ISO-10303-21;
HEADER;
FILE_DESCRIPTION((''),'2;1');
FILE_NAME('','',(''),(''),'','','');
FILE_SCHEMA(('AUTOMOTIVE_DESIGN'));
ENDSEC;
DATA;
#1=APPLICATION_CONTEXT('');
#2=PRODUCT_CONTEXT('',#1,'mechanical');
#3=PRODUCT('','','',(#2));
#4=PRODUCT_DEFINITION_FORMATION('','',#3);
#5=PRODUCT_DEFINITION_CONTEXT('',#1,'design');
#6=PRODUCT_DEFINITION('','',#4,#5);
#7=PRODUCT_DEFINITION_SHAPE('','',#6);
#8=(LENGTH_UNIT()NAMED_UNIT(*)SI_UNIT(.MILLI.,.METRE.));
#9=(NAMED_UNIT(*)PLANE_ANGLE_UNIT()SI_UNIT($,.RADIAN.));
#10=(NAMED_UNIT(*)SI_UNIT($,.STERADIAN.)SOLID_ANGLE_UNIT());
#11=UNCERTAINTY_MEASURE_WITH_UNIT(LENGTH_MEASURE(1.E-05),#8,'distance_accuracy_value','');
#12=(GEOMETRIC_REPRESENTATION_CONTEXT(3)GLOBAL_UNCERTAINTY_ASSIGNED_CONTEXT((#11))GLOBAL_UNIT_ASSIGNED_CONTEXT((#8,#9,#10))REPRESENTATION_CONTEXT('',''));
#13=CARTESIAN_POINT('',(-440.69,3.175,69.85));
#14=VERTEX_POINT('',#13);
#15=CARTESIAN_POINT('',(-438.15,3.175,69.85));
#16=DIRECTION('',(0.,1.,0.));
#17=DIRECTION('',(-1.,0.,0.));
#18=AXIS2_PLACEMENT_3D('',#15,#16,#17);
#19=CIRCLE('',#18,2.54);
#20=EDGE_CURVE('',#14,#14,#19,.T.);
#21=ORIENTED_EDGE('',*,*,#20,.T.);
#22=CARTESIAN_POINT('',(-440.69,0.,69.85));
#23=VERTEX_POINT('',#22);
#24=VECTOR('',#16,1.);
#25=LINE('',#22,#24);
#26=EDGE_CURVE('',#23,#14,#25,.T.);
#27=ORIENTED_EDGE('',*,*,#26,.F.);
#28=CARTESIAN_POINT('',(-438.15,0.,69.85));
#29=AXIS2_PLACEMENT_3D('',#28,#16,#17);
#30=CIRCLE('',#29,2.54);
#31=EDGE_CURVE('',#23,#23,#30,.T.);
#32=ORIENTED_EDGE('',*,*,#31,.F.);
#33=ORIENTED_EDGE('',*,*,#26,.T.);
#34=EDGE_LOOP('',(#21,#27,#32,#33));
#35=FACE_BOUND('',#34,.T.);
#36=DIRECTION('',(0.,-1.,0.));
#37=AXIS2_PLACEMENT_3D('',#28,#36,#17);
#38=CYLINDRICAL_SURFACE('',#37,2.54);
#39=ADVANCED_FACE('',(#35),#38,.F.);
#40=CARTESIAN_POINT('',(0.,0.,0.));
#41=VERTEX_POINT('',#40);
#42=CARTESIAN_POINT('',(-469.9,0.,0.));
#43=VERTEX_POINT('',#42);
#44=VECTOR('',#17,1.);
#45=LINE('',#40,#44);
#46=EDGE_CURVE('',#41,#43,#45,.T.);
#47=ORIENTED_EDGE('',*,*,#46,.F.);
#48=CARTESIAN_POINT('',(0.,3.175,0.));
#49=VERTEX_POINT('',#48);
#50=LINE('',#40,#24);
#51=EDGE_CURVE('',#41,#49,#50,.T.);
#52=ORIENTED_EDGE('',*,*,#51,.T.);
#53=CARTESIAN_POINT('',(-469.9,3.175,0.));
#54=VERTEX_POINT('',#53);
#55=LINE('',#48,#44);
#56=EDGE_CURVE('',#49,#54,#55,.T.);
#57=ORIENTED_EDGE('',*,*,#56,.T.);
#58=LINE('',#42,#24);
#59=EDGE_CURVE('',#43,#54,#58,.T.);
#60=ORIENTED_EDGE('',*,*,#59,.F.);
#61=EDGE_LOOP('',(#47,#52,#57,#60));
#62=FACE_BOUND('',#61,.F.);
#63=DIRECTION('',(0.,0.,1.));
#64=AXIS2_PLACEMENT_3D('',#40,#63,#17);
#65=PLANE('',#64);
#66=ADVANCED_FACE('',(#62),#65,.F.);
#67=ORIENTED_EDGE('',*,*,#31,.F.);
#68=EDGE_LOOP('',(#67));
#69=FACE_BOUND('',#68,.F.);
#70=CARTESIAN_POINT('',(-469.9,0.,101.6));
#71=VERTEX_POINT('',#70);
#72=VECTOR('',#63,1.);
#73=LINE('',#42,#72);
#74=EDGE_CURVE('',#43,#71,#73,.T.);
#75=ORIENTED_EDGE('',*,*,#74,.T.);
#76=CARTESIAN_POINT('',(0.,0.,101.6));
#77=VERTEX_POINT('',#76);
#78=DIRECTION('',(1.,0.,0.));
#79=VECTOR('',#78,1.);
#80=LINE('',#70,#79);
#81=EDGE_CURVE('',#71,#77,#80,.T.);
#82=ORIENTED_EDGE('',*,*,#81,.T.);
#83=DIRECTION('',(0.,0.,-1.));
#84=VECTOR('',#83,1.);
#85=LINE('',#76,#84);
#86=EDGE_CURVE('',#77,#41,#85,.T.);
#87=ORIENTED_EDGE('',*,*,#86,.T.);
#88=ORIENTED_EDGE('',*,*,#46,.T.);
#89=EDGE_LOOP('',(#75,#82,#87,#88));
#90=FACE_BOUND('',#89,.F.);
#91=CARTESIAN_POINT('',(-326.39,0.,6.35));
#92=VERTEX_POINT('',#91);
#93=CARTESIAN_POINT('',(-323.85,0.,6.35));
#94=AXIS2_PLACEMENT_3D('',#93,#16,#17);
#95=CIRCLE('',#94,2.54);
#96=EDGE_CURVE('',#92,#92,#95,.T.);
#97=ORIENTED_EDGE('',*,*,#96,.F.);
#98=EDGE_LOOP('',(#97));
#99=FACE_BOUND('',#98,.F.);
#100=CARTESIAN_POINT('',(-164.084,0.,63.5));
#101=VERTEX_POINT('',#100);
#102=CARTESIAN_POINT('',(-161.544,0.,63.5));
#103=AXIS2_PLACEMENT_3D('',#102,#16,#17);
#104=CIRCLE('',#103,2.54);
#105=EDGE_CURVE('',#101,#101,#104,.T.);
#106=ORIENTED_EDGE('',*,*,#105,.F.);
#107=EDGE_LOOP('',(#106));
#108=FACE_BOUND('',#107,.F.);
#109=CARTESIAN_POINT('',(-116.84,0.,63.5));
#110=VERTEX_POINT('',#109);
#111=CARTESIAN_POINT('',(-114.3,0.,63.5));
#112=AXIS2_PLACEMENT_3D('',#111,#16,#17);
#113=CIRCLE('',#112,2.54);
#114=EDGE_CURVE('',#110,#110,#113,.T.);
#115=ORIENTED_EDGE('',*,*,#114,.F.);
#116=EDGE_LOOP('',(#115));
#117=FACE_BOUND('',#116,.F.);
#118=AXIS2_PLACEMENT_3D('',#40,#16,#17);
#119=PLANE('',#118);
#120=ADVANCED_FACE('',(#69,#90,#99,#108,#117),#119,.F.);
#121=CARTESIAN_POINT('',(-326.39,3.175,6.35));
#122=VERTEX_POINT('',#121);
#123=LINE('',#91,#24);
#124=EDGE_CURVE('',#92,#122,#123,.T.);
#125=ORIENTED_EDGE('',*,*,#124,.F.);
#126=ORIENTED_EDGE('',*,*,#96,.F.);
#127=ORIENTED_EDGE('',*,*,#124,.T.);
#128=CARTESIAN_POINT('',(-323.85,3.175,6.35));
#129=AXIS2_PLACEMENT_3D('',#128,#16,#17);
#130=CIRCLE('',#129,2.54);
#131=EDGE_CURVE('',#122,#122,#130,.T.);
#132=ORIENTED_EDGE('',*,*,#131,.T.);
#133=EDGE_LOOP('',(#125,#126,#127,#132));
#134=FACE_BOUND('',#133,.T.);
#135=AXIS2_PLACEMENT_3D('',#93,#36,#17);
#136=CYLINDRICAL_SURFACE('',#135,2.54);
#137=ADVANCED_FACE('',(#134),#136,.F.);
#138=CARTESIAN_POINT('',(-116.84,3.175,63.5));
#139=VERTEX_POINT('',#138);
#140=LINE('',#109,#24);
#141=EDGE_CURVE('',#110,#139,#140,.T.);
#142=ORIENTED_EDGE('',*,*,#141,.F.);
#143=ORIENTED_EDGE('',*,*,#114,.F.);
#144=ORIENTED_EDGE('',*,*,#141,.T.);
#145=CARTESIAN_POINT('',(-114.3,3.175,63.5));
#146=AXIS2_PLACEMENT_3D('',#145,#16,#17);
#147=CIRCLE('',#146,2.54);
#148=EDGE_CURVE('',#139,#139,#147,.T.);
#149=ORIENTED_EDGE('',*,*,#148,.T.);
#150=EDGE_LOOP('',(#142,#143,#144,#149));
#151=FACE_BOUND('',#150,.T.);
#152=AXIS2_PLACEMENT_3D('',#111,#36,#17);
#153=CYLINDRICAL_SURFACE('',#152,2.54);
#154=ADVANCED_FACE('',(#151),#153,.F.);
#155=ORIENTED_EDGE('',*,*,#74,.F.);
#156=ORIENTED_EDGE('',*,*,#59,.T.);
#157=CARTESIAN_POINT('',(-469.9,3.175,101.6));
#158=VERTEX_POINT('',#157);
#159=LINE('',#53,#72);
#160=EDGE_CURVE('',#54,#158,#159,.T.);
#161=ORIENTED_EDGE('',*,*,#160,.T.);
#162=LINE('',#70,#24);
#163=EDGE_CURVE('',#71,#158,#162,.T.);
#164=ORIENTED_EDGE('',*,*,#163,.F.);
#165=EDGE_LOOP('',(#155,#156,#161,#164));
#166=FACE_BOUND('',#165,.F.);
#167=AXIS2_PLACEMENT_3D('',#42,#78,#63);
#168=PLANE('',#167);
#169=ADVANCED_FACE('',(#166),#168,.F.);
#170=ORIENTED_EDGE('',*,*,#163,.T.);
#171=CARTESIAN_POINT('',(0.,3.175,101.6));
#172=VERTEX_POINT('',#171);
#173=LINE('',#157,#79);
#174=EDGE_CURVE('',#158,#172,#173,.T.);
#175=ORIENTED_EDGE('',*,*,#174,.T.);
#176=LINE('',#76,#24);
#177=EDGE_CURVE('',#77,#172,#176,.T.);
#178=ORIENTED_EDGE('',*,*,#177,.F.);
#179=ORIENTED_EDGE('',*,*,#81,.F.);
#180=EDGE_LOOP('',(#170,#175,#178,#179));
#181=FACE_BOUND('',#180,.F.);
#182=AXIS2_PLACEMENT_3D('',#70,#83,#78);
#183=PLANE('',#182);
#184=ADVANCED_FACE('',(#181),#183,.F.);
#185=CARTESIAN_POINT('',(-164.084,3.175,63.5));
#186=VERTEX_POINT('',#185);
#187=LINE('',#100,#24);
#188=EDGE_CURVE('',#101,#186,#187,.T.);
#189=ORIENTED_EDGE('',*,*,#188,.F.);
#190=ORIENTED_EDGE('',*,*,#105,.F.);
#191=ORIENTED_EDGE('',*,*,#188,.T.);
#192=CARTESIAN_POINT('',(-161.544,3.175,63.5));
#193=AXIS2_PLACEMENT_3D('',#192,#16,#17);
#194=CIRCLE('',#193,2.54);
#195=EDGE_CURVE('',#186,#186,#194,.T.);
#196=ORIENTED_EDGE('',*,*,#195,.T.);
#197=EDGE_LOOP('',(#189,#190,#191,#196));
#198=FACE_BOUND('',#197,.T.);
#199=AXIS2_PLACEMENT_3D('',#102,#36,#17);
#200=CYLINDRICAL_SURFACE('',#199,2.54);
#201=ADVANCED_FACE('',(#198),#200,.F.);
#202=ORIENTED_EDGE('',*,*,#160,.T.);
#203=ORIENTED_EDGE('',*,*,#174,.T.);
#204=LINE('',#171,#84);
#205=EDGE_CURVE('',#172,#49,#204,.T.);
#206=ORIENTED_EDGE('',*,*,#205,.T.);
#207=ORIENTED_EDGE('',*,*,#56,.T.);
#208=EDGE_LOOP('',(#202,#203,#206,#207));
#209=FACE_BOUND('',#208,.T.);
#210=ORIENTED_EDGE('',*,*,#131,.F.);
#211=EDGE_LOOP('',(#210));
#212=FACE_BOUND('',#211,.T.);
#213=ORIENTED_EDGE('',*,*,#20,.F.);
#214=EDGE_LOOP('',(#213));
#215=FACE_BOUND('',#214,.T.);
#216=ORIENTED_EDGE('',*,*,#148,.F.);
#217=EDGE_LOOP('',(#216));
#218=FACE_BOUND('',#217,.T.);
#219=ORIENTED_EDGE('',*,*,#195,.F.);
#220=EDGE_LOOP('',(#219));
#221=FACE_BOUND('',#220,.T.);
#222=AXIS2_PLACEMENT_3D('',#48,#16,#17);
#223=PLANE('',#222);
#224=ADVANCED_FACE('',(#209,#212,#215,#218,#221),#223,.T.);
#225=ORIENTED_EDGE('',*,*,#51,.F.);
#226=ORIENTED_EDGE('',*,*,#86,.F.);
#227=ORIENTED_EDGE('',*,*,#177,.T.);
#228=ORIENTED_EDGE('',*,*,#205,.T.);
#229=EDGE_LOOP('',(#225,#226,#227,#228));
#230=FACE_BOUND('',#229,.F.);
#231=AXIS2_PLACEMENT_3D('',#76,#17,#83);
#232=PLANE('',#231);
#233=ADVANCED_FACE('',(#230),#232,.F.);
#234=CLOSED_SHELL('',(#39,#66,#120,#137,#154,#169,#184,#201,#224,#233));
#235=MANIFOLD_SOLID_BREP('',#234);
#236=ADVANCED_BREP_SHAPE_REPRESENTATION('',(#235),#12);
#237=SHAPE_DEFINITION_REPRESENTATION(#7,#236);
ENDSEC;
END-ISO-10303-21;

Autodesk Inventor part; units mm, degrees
ref_plane "YZ Plane" through (0, 0, 0) normal (1, 0, 0) x (0, 1, 0)
ref_plane "XZ Plane" through (0, 0, 0) normal (0, 1, 0) x (-1, 0, 0)
ref_plane "XY Plane" through (0, 0, 0) normal (0, 0, 1) x (1, 0, 0)
sketch "Sketch1" plane through (0, 0, 0) normal (0, 1, 0) x (-1, 0, 0)
  line L0 (0, 0) -> (469.9, 0)
  line L1 (469.9, 0) -> (469.9, 101.6)
  line L2 (469.9, 101.6) -> (0, 101.6)
  line L3 (0, 101.6) -> (0, 0)
  circle A0 centre (323.85, 6.35) radius 2.54
  line L4 (323.85, 6.35) -> (438.15, 6.35) construction
  line L5 (438.15, 6.35) -> (438.15, 69.85) construction
  circle A1 centre (438.15, 69.85) radius 2.54
  line L6 (114.3, 63.5) -> (161.544, 63.5) construction
  circle A2 centre (114.3, 63.5) radius 2.54
  circle A3 centre (161.544, 63.5) radius 2.54
  dimension "d0" = 469.9
  dimension "d2" = 101.6
  dimension "d3" = 5.08
  dimension "d5" = 63.5
  dimension "d6" = 31.75
  dimension "d7" = 6.35
  dimension "d8" = 47.244
  dimension "d9" = 5.08
  dimension "d10" = 63.5
  dimension "d11" = 114.3
  dimension "d16" = 114.3
extrude "Extrusion1" add sketch "Sketch1" along normal blind 3.175
properties part number "Mounting Board 2" material "Polycarbonate, Clear"
